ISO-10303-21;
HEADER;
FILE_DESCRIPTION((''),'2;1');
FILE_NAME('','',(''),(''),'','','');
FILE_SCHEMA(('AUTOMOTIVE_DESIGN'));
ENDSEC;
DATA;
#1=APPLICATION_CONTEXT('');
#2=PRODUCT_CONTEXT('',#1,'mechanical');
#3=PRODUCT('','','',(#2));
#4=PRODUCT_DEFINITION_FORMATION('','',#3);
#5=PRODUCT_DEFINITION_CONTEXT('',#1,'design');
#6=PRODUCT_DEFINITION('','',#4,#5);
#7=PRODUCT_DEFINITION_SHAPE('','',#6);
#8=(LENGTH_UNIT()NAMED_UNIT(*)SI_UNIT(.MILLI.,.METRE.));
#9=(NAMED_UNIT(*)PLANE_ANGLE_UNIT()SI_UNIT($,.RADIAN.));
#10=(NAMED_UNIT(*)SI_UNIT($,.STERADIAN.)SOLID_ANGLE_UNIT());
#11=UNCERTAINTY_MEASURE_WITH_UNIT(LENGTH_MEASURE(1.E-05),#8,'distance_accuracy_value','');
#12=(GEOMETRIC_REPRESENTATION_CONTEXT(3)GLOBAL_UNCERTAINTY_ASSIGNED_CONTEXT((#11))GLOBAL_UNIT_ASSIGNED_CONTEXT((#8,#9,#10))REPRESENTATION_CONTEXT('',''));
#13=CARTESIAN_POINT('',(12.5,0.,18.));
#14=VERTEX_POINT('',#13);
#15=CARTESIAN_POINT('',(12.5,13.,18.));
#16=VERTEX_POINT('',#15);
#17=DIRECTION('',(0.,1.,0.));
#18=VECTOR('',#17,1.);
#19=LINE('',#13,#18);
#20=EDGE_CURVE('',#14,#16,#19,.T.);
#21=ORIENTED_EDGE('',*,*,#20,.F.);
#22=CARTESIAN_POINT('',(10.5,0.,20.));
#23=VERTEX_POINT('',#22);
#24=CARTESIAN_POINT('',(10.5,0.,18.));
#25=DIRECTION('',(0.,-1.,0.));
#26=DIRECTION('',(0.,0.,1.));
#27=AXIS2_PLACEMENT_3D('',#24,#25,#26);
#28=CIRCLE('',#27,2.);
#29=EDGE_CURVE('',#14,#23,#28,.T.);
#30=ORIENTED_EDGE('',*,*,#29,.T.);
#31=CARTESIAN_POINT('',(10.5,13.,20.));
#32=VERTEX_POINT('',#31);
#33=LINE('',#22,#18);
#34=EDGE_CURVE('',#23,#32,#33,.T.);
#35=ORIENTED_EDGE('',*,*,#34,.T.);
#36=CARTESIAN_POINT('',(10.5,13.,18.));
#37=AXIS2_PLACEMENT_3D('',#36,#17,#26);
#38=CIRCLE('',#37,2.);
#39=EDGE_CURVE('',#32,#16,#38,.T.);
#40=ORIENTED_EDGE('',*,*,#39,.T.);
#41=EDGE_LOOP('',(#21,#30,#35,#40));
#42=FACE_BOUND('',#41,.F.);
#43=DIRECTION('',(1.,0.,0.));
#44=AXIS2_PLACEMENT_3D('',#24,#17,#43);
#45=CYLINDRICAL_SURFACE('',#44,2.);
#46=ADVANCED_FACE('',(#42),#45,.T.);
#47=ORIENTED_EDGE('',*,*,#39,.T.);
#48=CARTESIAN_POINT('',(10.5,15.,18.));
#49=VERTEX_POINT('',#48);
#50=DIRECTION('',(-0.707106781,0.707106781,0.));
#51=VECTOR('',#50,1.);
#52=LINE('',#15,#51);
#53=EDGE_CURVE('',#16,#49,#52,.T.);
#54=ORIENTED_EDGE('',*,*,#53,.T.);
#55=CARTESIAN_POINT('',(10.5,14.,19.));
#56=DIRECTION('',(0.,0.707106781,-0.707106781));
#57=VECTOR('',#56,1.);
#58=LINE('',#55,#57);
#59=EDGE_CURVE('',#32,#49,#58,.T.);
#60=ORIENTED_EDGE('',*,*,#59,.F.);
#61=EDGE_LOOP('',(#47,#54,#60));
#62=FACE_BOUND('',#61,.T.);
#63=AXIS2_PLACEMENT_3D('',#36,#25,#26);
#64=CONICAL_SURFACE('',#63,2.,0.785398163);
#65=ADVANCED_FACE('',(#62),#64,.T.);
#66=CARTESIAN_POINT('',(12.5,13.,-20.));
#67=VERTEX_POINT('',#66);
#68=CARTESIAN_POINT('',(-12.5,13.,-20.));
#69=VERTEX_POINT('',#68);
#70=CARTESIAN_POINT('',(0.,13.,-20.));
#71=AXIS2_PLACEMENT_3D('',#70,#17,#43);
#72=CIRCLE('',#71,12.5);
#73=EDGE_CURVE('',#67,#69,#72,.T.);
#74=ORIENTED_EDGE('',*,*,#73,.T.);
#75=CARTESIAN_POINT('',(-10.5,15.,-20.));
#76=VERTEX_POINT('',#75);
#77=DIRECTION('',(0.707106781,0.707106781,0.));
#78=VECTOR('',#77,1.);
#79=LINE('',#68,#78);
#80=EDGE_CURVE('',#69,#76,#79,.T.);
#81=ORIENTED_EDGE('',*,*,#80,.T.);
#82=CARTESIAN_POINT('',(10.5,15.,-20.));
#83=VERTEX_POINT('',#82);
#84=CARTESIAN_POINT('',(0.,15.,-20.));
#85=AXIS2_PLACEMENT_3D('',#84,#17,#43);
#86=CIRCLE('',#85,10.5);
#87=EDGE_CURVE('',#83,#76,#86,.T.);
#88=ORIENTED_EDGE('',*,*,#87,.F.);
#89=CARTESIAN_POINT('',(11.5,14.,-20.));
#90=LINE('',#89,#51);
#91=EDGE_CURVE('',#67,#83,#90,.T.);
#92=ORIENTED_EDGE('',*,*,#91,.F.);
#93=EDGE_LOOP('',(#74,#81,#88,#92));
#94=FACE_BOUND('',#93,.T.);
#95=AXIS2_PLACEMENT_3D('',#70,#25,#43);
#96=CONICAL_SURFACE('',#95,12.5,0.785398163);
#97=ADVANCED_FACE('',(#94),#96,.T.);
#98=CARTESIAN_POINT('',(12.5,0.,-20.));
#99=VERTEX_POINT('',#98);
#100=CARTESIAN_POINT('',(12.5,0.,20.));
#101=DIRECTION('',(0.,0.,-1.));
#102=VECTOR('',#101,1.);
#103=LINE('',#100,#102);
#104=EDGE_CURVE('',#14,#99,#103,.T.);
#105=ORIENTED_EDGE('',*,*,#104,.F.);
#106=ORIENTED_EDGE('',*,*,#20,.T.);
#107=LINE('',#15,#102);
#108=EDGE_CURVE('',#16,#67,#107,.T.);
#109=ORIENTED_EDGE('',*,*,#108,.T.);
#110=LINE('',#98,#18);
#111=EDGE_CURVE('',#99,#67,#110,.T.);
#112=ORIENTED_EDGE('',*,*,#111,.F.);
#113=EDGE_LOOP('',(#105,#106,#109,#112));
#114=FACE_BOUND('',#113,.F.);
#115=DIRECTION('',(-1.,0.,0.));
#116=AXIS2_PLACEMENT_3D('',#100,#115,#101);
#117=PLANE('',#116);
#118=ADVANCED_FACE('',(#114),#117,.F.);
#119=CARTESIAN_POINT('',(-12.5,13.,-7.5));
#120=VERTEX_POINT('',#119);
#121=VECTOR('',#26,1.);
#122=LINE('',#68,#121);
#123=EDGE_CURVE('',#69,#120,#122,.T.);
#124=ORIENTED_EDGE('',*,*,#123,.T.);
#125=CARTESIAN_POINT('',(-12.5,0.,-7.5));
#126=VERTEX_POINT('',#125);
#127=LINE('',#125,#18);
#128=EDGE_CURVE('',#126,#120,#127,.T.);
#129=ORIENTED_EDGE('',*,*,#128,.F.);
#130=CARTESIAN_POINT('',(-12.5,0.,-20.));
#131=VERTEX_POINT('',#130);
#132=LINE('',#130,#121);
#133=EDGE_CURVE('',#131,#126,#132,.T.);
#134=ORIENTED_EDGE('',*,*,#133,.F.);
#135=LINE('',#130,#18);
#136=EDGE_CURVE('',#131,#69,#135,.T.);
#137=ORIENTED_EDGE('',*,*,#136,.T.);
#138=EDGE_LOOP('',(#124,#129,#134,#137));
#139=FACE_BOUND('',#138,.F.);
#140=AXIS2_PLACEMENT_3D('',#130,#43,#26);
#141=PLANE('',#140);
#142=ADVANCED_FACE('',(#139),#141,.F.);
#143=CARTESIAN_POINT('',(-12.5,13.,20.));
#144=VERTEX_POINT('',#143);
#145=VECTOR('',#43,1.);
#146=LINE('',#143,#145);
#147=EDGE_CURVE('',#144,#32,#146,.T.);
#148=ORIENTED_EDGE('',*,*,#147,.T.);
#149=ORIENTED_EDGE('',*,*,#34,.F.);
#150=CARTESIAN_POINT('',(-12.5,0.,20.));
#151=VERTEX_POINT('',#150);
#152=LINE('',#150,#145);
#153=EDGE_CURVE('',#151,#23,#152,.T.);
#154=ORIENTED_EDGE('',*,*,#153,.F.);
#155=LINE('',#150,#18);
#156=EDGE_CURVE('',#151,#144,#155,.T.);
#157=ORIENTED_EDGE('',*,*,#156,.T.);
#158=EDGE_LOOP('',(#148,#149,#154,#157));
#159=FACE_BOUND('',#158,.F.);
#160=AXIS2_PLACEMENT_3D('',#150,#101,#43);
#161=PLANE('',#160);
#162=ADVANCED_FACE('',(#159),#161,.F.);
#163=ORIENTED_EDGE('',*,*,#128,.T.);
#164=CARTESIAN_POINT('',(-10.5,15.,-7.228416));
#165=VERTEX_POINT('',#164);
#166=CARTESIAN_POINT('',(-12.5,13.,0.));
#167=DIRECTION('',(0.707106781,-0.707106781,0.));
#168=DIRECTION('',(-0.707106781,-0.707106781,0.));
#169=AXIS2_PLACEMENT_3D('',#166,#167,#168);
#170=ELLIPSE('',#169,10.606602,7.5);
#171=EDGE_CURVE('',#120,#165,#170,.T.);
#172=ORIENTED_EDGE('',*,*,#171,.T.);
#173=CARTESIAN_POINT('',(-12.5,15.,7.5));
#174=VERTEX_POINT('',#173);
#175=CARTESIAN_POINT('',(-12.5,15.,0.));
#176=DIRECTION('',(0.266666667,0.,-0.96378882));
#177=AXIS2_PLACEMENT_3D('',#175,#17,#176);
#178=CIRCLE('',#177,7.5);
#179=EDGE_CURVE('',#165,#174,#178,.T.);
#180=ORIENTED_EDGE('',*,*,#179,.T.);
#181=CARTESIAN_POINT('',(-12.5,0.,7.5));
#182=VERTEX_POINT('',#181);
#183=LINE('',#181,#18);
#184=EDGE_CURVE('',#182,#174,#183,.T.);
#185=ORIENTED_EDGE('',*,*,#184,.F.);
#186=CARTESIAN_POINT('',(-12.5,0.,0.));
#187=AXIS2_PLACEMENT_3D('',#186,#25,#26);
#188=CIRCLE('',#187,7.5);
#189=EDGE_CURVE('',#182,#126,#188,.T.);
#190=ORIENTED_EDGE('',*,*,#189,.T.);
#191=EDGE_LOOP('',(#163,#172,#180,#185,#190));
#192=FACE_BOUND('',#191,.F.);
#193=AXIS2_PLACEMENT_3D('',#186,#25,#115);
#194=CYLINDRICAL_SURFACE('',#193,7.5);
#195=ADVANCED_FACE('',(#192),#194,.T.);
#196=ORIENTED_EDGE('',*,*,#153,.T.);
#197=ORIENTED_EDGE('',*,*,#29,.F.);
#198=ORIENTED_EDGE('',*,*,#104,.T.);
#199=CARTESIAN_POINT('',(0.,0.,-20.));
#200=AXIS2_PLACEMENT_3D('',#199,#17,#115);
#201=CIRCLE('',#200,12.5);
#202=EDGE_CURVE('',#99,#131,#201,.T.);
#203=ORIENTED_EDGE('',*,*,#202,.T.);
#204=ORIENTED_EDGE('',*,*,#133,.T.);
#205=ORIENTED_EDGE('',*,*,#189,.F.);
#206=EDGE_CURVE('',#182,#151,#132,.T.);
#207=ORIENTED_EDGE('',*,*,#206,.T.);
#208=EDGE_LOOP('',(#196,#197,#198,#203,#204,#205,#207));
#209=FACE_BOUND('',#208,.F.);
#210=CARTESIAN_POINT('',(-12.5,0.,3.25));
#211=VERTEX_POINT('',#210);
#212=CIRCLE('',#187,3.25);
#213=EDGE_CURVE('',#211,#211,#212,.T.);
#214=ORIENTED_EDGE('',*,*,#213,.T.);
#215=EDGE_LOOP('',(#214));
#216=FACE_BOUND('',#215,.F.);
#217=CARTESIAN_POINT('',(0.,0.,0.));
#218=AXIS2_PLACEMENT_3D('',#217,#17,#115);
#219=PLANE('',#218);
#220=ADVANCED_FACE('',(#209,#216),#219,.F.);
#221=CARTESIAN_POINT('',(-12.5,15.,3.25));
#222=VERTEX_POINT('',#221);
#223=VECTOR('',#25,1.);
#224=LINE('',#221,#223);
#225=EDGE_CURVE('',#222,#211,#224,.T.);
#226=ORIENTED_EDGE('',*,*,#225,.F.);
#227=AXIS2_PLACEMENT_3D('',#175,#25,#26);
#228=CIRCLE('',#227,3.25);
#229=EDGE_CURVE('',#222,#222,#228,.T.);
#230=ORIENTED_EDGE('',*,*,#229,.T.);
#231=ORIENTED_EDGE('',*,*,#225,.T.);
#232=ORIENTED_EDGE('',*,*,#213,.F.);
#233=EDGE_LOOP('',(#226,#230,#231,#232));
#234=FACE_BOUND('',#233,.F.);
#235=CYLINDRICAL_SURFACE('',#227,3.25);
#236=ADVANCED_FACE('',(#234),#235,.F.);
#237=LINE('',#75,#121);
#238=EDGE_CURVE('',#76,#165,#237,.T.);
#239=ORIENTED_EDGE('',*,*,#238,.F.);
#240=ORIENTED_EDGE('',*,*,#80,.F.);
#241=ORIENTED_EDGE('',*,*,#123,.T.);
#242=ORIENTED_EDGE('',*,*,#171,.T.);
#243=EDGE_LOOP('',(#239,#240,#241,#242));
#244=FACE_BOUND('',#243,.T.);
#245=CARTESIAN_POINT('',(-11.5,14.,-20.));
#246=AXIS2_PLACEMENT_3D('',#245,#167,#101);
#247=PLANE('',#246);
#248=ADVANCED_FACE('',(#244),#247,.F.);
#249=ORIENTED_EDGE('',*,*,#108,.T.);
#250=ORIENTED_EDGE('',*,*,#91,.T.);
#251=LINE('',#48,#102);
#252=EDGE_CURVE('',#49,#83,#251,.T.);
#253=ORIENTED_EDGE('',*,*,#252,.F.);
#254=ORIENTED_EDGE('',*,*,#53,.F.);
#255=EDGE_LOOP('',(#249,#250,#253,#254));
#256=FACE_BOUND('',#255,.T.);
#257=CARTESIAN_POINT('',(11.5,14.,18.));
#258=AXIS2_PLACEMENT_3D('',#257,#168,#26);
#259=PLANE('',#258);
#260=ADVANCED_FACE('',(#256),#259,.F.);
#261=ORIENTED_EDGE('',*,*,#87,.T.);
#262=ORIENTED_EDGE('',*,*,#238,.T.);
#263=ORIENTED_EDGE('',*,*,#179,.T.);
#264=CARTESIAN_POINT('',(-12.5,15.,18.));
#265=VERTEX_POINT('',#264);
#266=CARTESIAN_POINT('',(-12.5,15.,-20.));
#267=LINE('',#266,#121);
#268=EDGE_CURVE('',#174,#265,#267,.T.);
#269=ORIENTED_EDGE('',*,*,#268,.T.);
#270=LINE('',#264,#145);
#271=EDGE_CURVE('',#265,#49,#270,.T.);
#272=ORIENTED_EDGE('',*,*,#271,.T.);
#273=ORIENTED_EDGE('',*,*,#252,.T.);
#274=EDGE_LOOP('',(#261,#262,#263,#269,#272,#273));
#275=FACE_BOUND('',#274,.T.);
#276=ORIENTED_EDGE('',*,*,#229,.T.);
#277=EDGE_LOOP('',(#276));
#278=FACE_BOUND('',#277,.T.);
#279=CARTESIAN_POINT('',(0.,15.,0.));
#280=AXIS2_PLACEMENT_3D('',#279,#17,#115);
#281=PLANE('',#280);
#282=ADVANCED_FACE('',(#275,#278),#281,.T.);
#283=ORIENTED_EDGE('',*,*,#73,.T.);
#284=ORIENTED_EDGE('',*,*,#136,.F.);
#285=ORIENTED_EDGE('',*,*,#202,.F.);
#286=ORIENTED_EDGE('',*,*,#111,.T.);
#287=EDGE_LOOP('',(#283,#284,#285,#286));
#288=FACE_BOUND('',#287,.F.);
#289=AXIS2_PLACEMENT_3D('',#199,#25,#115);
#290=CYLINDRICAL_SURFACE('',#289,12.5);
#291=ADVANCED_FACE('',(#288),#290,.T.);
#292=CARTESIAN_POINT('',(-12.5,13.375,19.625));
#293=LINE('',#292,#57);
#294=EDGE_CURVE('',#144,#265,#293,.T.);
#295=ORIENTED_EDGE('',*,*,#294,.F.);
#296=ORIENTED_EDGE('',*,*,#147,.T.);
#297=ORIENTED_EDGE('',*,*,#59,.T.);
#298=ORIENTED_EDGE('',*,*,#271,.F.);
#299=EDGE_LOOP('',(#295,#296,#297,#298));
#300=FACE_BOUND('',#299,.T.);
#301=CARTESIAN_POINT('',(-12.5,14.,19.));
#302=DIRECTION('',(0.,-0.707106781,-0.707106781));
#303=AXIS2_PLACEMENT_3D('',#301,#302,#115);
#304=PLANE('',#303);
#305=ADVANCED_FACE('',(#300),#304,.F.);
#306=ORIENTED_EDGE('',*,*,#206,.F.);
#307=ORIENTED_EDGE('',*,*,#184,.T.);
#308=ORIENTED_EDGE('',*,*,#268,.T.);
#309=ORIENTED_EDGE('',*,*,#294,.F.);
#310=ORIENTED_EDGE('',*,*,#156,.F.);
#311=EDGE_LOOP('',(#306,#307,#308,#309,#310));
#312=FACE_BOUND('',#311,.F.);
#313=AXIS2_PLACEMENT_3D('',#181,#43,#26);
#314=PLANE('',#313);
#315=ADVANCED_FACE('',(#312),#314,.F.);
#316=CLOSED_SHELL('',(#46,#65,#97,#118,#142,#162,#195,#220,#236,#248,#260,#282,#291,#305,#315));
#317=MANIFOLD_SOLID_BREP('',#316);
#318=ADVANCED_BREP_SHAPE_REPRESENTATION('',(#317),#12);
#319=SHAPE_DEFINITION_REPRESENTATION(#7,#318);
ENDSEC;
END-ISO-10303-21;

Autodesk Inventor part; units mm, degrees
ref_plane "YZ Plane" through (0, 0, 0) normal (1, 0, 0) x (0, 1, 0)
ref_plane "XZ Plane" through (0, 0, 0) normal (0, 1, 0) x (-1, 0, 0)
ref_plane "XY Plane" through (0, 0, 0) normal (0, 0, 1) x (1, 0, 0)
sketch "Sketch1" plane through (0, 0, 0) normal (0, 1, 0) x (-1, 0, 0)
  line L0 (-12.5, -20) -> (12.5, -20)
  line L1 (12.5, -20) -> (12.5, 20)
  line L2 (12.5, 20) -> (-12.5, 20)
  line L3 (-12.5, 20) -> (-12.5, -20)
  line L4 (-12.5, -20) -> (12.5, 20) construction
  line L5 (12.5, -20) -> (-12.5, 20) construction
  circle A0 centre (0, -20) radius 12.5
  circle A1 centre (12.5, 0) radius 7.5
  point P0 (0, 0)
  point P1 (12.5, -7.5)
  point P2 (12.5, 7.5)
  dimension "d0" = 25
  dimension "d1" = 40
  dimension "d2" = 15
extrude "Extrusion1" add sketch "Sketch1" along normal blind 15
fillet "Fillet1" radius 2 1 edges at (12.5, 7.5, 20)
chamfer "Chamfer1" distance 2 angle 45 5 edges at (-1, 15, 20) (11.9142, 15, 19.4142) (12.5, 15, -1) (0, 15, -32.5) (-12.5, 15, -13.75)
sketch "Sketch2" plane through (0, 15, 0) normal (0, 1, 0) x (1, 0, 0)
  arc A0 (-10.5, 7.2284) -> (-12.5, -7.5) centre (-12.5, 0) ccw projected
  point P0 (0, 0)
hole "Hole1" at (-12.5, 15, 0) direction (0, -1, 0) diameter 6.5 end through all
equation "\"d3\" = d2"
properties part number "SampleComplexPart"
